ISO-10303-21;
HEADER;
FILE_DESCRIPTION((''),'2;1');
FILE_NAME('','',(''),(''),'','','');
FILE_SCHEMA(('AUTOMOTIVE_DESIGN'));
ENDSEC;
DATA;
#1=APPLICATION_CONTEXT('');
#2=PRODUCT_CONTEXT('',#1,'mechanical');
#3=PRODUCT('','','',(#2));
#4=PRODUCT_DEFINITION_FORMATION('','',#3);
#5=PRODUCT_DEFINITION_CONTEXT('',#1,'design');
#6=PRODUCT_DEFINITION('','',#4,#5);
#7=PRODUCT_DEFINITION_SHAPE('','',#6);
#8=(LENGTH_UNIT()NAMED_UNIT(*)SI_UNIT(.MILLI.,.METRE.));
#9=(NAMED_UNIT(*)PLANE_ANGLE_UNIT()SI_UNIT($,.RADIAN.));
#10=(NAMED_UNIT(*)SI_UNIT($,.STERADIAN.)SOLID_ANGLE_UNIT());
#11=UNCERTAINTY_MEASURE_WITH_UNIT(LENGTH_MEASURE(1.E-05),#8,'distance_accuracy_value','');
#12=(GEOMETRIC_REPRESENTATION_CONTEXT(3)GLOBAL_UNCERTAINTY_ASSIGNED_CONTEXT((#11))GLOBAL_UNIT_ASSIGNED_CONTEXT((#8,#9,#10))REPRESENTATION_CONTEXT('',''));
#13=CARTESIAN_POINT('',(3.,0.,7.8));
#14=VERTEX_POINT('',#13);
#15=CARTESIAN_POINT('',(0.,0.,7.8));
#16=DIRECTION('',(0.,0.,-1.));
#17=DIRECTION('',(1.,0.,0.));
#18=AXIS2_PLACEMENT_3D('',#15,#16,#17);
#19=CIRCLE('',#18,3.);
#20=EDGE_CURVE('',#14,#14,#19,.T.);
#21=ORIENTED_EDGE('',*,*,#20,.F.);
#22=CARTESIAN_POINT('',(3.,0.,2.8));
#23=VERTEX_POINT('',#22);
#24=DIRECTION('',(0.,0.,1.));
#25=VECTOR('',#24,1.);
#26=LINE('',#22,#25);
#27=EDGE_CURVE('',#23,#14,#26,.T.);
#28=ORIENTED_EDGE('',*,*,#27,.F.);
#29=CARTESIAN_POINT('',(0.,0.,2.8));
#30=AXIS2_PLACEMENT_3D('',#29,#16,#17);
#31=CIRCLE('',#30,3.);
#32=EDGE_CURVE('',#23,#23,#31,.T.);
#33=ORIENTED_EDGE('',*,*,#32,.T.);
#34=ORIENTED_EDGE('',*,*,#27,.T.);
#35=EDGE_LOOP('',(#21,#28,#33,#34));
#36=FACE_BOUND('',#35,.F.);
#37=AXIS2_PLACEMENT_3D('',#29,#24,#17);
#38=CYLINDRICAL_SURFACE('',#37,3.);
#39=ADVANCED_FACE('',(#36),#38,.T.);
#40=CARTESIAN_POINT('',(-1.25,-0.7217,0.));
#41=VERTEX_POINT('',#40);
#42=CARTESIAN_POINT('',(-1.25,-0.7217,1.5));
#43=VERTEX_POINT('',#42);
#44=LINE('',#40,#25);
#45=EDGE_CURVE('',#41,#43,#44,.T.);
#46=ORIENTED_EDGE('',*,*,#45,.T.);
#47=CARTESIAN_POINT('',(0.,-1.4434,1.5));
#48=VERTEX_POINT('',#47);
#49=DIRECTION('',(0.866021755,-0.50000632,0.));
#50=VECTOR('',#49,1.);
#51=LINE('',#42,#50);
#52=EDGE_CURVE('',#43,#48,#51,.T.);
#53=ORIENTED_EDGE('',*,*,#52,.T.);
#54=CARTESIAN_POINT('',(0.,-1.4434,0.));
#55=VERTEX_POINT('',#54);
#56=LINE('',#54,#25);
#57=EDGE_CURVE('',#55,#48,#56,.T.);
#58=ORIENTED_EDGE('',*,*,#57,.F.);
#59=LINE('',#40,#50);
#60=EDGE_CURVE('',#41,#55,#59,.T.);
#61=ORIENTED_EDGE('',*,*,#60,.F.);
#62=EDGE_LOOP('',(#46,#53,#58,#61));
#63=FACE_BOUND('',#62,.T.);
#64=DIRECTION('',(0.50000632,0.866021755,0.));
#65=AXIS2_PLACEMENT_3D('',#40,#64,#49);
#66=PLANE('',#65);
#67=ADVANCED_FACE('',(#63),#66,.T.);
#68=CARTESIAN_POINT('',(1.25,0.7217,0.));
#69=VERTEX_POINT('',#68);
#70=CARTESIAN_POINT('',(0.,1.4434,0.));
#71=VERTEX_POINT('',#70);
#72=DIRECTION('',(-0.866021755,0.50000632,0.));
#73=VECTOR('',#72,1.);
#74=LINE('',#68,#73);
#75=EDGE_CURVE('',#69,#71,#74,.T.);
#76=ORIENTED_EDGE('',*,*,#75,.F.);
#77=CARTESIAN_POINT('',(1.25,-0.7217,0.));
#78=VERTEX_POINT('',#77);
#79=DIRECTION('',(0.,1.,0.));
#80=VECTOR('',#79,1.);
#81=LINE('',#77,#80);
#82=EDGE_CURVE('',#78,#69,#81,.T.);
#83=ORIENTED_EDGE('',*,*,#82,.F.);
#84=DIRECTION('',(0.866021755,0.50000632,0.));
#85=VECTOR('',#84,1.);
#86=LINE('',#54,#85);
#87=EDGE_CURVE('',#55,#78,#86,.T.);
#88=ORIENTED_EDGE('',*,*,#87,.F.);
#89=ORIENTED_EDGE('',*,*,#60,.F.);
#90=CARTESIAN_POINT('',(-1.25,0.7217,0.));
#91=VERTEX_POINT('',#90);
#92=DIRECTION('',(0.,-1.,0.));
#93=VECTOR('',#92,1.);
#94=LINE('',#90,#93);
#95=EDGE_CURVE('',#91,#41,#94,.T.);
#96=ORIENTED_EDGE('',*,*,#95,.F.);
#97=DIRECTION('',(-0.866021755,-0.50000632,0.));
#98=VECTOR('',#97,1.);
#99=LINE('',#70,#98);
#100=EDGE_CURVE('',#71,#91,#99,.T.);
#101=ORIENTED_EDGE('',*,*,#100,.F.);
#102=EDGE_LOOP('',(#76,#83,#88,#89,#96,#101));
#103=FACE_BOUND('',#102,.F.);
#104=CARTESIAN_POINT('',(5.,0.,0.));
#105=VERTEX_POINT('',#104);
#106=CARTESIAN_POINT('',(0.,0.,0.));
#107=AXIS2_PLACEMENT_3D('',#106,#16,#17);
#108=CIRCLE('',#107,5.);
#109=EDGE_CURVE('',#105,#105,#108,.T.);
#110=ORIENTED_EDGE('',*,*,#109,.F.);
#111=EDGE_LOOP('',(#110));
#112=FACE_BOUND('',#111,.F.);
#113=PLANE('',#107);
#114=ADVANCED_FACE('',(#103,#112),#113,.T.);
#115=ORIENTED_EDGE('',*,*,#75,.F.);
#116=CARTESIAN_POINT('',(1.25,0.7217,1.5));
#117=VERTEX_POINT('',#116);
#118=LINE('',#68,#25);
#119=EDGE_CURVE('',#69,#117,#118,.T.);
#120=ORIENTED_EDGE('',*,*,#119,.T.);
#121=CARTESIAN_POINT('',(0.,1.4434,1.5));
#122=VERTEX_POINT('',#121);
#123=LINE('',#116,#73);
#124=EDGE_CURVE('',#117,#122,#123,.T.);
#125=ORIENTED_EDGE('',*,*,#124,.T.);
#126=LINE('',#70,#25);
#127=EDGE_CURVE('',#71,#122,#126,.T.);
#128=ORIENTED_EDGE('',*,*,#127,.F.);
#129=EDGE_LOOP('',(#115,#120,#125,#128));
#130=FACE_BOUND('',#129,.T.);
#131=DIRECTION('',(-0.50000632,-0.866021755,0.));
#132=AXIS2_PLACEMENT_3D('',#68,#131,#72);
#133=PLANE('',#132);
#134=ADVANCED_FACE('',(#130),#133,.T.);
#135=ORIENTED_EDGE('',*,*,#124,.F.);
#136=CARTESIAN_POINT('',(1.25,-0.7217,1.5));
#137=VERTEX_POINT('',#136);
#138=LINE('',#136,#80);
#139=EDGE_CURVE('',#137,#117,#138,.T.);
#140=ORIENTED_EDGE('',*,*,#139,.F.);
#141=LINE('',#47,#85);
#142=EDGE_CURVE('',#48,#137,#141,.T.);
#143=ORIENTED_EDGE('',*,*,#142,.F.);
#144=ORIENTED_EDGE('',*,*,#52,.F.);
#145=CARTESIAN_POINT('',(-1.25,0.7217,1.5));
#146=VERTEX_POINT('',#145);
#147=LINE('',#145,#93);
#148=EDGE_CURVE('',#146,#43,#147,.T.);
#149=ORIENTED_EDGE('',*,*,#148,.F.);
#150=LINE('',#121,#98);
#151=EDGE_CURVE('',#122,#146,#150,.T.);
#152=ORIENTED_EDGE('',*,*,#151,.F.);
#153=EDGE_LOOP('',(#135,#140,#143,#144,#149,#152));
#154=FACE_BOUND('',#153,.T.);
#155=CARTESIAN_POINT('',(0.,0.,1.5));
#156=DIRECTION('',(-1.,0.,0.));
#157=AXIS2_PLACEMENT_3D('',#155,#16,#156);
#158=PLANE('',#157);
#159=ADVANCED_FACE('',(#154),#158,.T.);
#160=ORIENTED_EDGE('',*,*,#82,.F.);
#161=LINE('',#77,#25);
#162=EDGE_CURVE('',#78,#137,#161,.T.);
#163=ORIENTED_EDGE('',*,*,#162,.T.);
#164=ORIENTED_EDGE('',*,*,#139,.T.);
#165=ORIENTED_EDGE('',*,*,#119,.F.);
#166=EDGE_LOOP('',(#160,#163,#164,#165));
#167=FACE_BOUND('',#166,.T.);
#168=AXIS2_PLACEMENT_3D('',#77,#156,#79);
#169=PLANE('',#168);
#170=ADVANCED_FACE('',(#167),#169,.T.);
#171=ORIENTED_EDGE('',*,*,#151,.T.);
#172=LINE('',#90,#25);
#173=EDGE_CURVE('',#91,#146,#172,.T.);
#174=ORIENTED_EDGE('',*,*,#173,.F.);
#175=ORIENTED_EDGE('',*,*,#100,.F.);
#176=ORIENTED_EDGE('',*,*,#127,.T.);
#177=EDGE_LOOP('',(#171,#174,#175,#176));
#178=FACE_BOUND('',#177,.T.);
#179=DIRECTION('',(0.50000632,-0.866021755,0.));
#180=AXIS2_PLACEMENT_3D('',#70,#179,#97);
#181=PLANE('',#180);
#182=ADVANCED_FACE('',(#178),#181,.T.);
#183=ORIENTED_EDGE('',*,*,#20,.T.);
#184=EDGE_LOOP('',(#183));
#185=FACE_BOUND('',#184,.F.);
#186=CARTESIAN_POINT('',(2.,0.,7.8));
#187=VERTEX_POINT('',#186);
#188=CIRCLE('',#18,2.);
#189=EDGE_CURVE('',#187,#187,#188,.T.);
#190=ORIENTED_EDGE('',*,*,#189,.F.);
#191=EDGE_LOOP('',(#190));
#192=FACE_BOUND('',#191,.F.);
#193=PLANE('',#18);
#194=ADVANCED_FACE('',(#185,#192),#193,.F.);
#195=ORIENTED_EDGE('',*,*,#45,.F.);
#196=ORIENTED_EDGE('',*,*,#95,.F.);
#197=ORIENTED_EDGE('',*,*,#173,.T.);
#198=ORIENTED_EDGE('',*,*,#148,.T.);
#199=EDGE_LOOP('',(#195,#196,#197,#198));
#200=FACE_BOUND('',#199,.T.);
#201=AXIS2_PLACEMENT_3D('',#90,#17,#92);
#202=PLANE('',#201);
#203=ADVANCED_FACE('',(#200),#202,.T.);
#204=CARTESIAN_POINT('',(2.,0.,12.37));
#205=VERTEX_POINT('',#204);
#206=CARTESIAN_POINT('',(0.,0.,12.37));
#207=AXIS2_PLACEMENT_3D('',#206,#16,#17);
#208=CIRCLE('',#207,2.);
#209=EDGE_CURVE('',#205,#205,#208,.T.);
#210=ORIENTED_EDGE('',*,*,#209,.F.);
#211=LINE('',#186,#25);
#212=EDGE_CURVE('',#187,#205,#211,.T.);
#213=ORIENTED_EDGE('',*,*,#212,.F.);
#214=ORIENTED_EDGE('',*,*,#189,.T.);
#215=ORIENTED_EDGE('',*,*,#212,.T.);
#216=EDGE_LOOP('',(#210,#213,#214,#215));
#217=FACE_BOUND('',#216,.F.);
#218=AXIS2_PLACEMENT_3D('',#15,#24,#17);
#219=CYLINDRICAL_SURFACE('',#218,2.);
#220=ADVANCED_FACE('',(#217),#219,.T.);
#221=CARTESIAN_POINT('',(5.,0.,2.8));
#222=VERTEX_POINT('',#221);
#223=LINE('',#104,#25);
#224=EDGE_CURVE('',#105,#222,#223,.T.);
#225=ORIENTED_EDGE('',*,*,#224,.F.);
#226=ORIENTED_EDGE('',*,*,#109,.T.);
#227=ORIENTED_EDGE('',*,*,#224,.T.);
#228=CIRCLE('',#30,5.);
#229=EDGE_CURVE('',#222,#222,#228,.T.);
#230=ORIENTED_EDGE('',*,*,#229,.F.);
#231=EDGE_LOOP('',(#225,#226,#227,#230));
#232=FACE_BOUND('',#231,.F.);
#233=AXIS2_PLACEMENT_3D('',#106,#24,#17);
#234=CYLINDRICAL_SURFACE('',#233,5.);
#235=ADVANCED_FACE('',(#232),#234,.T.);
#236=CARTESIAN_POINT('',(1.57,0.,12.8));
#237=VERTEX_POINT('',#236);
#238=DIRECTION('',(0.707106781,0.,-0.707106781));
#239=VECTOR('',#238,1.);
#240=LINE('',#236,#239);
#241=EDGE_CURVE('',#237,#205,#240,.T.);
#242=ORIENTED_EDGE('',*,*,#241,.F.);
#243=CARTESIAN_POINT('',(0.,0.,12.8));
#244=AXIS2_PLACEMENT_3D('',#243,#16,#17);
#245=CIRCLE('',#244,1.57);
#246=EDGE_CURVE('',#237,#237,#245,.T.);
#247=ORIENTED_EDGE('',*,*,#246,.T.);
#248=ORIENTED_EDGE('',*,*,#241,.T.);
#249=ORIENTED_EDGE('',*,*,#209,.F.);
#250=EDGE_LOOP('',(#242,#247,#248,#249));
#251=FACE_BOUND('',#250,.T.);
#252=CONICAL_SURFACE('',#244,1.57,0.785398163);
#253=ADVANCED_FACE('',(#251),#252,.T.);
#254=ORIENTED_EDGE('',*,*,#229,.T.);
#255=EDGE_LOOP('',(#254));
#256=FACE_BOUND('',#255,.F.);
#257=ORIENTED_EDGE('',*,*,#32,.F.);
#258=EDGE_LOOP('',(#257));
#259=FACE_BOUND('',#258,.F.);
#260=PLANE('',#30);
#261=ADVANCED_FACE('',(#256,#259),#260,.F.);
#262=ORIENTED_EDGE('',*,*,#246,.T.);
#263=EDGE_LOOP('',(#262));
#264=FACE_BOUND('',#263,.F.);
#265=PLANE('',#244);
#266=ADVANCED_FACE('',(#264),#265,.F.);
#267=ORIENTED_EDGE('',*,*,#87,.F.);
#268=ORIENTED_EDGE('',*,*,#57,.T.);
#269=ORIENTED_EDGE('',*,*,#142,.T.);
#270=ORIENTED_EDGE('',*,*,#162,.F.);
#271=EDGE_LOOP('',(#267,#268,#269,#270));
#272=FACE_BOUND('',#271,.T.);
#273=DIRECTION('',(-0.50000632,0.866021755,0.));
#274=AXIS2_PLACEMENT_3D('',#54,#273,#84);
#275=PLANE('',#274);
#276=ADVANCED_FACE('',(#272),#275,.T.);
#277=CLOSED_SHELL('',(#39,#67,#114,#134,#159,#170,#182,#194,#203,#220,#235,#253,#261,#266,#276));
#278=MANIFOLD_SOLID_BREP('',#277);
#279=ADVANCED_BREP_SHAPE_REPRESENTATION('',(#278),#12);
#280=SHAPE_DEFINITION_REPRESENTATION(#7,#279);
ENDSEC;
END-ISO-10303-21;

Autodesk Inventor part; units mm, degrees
ref_plane "YZ Plane" through (0, 0, 0) normal (1, 0, 0) x (0, 1, 0)
ref_plane "XZ Plane" through (0, 0, 0) normal (0, 1, 0) x (-1, 0, 0)
ref_plane "XY Plane" through (0, 0, 0) normal (0, 0, 1) x (1, 0, 0)
sketch "スケッチ1" plane through (0, 0, 0) normal (0, 1, 0) x (-1, 0, 0)
  line L0 (0, 0) -> (-5, 0)
  line L1 (-5, 0) -> (-5, 2.8)
  line L2 (-5, 2.8) -> (-3, 2.8)
  line L3 (-3, 2.8) -> (-3, 7.8)
  line L4 (-3, 7.8) -> (-2, 7.8)
  line L5 (-2, 7.8) -> (-2, 12.37)
  line L6 (-1.57, 12.8) -> (0, 12.8)
  line L7 (0, 12.8) -> (0, 0)
  line L8 (-1.57, 12.8) -> (-2, 12.37)
  point P0 (-2, 12.8)
  dimension "d0" = 5
  dimension "d1" = 5
  dimension "d2" = 2.8
  dimension "d3" = 0.43
  dimension "d4" = 0.43
  dimension "d5" = 4
  dimension "d6" = 10
  dimension "d7" = 6
revolve "回転1" add sketch "スケッチ1" angle 360 about axis through (0, 0, 12.8) along (0, 0, -1)
thread "ねじ1" size "M4x0.7" class "6g" standard "ANSI Metric M Profile" length 7.57 offset 1.2
sketch "スケッチ2" plane through (0, 0, 0) normal (0, 0, -1) x (-1, 0, 0)
  line L0 (0, -1.4434) -> (-1.25, -0.7217)
  line L1 (-1.25, -0.7217) -> (-1.25, 0.7217)
  line L2 (-1.25, 0.7217) -> (0, 1.4434)
  line L3 (0, 1.4434) -> (1.25, 0.7217)
  line L4 (1.25, 0.7217) -> (1.25, -0.7217)
  line L5 (1.25, -0.7217) -> (0, -1.4434)
  point P0 (0, 0)
  point P1 (0, 0)
  dimension "d11" = 2.5
extrude "押し出し1" cut sketch "スケッチ2" against normal blind 1.5
equation "\"d4\" = d3"
properties part number "DBS4-5-5" material "ステンレス鋼 AISI 304"
